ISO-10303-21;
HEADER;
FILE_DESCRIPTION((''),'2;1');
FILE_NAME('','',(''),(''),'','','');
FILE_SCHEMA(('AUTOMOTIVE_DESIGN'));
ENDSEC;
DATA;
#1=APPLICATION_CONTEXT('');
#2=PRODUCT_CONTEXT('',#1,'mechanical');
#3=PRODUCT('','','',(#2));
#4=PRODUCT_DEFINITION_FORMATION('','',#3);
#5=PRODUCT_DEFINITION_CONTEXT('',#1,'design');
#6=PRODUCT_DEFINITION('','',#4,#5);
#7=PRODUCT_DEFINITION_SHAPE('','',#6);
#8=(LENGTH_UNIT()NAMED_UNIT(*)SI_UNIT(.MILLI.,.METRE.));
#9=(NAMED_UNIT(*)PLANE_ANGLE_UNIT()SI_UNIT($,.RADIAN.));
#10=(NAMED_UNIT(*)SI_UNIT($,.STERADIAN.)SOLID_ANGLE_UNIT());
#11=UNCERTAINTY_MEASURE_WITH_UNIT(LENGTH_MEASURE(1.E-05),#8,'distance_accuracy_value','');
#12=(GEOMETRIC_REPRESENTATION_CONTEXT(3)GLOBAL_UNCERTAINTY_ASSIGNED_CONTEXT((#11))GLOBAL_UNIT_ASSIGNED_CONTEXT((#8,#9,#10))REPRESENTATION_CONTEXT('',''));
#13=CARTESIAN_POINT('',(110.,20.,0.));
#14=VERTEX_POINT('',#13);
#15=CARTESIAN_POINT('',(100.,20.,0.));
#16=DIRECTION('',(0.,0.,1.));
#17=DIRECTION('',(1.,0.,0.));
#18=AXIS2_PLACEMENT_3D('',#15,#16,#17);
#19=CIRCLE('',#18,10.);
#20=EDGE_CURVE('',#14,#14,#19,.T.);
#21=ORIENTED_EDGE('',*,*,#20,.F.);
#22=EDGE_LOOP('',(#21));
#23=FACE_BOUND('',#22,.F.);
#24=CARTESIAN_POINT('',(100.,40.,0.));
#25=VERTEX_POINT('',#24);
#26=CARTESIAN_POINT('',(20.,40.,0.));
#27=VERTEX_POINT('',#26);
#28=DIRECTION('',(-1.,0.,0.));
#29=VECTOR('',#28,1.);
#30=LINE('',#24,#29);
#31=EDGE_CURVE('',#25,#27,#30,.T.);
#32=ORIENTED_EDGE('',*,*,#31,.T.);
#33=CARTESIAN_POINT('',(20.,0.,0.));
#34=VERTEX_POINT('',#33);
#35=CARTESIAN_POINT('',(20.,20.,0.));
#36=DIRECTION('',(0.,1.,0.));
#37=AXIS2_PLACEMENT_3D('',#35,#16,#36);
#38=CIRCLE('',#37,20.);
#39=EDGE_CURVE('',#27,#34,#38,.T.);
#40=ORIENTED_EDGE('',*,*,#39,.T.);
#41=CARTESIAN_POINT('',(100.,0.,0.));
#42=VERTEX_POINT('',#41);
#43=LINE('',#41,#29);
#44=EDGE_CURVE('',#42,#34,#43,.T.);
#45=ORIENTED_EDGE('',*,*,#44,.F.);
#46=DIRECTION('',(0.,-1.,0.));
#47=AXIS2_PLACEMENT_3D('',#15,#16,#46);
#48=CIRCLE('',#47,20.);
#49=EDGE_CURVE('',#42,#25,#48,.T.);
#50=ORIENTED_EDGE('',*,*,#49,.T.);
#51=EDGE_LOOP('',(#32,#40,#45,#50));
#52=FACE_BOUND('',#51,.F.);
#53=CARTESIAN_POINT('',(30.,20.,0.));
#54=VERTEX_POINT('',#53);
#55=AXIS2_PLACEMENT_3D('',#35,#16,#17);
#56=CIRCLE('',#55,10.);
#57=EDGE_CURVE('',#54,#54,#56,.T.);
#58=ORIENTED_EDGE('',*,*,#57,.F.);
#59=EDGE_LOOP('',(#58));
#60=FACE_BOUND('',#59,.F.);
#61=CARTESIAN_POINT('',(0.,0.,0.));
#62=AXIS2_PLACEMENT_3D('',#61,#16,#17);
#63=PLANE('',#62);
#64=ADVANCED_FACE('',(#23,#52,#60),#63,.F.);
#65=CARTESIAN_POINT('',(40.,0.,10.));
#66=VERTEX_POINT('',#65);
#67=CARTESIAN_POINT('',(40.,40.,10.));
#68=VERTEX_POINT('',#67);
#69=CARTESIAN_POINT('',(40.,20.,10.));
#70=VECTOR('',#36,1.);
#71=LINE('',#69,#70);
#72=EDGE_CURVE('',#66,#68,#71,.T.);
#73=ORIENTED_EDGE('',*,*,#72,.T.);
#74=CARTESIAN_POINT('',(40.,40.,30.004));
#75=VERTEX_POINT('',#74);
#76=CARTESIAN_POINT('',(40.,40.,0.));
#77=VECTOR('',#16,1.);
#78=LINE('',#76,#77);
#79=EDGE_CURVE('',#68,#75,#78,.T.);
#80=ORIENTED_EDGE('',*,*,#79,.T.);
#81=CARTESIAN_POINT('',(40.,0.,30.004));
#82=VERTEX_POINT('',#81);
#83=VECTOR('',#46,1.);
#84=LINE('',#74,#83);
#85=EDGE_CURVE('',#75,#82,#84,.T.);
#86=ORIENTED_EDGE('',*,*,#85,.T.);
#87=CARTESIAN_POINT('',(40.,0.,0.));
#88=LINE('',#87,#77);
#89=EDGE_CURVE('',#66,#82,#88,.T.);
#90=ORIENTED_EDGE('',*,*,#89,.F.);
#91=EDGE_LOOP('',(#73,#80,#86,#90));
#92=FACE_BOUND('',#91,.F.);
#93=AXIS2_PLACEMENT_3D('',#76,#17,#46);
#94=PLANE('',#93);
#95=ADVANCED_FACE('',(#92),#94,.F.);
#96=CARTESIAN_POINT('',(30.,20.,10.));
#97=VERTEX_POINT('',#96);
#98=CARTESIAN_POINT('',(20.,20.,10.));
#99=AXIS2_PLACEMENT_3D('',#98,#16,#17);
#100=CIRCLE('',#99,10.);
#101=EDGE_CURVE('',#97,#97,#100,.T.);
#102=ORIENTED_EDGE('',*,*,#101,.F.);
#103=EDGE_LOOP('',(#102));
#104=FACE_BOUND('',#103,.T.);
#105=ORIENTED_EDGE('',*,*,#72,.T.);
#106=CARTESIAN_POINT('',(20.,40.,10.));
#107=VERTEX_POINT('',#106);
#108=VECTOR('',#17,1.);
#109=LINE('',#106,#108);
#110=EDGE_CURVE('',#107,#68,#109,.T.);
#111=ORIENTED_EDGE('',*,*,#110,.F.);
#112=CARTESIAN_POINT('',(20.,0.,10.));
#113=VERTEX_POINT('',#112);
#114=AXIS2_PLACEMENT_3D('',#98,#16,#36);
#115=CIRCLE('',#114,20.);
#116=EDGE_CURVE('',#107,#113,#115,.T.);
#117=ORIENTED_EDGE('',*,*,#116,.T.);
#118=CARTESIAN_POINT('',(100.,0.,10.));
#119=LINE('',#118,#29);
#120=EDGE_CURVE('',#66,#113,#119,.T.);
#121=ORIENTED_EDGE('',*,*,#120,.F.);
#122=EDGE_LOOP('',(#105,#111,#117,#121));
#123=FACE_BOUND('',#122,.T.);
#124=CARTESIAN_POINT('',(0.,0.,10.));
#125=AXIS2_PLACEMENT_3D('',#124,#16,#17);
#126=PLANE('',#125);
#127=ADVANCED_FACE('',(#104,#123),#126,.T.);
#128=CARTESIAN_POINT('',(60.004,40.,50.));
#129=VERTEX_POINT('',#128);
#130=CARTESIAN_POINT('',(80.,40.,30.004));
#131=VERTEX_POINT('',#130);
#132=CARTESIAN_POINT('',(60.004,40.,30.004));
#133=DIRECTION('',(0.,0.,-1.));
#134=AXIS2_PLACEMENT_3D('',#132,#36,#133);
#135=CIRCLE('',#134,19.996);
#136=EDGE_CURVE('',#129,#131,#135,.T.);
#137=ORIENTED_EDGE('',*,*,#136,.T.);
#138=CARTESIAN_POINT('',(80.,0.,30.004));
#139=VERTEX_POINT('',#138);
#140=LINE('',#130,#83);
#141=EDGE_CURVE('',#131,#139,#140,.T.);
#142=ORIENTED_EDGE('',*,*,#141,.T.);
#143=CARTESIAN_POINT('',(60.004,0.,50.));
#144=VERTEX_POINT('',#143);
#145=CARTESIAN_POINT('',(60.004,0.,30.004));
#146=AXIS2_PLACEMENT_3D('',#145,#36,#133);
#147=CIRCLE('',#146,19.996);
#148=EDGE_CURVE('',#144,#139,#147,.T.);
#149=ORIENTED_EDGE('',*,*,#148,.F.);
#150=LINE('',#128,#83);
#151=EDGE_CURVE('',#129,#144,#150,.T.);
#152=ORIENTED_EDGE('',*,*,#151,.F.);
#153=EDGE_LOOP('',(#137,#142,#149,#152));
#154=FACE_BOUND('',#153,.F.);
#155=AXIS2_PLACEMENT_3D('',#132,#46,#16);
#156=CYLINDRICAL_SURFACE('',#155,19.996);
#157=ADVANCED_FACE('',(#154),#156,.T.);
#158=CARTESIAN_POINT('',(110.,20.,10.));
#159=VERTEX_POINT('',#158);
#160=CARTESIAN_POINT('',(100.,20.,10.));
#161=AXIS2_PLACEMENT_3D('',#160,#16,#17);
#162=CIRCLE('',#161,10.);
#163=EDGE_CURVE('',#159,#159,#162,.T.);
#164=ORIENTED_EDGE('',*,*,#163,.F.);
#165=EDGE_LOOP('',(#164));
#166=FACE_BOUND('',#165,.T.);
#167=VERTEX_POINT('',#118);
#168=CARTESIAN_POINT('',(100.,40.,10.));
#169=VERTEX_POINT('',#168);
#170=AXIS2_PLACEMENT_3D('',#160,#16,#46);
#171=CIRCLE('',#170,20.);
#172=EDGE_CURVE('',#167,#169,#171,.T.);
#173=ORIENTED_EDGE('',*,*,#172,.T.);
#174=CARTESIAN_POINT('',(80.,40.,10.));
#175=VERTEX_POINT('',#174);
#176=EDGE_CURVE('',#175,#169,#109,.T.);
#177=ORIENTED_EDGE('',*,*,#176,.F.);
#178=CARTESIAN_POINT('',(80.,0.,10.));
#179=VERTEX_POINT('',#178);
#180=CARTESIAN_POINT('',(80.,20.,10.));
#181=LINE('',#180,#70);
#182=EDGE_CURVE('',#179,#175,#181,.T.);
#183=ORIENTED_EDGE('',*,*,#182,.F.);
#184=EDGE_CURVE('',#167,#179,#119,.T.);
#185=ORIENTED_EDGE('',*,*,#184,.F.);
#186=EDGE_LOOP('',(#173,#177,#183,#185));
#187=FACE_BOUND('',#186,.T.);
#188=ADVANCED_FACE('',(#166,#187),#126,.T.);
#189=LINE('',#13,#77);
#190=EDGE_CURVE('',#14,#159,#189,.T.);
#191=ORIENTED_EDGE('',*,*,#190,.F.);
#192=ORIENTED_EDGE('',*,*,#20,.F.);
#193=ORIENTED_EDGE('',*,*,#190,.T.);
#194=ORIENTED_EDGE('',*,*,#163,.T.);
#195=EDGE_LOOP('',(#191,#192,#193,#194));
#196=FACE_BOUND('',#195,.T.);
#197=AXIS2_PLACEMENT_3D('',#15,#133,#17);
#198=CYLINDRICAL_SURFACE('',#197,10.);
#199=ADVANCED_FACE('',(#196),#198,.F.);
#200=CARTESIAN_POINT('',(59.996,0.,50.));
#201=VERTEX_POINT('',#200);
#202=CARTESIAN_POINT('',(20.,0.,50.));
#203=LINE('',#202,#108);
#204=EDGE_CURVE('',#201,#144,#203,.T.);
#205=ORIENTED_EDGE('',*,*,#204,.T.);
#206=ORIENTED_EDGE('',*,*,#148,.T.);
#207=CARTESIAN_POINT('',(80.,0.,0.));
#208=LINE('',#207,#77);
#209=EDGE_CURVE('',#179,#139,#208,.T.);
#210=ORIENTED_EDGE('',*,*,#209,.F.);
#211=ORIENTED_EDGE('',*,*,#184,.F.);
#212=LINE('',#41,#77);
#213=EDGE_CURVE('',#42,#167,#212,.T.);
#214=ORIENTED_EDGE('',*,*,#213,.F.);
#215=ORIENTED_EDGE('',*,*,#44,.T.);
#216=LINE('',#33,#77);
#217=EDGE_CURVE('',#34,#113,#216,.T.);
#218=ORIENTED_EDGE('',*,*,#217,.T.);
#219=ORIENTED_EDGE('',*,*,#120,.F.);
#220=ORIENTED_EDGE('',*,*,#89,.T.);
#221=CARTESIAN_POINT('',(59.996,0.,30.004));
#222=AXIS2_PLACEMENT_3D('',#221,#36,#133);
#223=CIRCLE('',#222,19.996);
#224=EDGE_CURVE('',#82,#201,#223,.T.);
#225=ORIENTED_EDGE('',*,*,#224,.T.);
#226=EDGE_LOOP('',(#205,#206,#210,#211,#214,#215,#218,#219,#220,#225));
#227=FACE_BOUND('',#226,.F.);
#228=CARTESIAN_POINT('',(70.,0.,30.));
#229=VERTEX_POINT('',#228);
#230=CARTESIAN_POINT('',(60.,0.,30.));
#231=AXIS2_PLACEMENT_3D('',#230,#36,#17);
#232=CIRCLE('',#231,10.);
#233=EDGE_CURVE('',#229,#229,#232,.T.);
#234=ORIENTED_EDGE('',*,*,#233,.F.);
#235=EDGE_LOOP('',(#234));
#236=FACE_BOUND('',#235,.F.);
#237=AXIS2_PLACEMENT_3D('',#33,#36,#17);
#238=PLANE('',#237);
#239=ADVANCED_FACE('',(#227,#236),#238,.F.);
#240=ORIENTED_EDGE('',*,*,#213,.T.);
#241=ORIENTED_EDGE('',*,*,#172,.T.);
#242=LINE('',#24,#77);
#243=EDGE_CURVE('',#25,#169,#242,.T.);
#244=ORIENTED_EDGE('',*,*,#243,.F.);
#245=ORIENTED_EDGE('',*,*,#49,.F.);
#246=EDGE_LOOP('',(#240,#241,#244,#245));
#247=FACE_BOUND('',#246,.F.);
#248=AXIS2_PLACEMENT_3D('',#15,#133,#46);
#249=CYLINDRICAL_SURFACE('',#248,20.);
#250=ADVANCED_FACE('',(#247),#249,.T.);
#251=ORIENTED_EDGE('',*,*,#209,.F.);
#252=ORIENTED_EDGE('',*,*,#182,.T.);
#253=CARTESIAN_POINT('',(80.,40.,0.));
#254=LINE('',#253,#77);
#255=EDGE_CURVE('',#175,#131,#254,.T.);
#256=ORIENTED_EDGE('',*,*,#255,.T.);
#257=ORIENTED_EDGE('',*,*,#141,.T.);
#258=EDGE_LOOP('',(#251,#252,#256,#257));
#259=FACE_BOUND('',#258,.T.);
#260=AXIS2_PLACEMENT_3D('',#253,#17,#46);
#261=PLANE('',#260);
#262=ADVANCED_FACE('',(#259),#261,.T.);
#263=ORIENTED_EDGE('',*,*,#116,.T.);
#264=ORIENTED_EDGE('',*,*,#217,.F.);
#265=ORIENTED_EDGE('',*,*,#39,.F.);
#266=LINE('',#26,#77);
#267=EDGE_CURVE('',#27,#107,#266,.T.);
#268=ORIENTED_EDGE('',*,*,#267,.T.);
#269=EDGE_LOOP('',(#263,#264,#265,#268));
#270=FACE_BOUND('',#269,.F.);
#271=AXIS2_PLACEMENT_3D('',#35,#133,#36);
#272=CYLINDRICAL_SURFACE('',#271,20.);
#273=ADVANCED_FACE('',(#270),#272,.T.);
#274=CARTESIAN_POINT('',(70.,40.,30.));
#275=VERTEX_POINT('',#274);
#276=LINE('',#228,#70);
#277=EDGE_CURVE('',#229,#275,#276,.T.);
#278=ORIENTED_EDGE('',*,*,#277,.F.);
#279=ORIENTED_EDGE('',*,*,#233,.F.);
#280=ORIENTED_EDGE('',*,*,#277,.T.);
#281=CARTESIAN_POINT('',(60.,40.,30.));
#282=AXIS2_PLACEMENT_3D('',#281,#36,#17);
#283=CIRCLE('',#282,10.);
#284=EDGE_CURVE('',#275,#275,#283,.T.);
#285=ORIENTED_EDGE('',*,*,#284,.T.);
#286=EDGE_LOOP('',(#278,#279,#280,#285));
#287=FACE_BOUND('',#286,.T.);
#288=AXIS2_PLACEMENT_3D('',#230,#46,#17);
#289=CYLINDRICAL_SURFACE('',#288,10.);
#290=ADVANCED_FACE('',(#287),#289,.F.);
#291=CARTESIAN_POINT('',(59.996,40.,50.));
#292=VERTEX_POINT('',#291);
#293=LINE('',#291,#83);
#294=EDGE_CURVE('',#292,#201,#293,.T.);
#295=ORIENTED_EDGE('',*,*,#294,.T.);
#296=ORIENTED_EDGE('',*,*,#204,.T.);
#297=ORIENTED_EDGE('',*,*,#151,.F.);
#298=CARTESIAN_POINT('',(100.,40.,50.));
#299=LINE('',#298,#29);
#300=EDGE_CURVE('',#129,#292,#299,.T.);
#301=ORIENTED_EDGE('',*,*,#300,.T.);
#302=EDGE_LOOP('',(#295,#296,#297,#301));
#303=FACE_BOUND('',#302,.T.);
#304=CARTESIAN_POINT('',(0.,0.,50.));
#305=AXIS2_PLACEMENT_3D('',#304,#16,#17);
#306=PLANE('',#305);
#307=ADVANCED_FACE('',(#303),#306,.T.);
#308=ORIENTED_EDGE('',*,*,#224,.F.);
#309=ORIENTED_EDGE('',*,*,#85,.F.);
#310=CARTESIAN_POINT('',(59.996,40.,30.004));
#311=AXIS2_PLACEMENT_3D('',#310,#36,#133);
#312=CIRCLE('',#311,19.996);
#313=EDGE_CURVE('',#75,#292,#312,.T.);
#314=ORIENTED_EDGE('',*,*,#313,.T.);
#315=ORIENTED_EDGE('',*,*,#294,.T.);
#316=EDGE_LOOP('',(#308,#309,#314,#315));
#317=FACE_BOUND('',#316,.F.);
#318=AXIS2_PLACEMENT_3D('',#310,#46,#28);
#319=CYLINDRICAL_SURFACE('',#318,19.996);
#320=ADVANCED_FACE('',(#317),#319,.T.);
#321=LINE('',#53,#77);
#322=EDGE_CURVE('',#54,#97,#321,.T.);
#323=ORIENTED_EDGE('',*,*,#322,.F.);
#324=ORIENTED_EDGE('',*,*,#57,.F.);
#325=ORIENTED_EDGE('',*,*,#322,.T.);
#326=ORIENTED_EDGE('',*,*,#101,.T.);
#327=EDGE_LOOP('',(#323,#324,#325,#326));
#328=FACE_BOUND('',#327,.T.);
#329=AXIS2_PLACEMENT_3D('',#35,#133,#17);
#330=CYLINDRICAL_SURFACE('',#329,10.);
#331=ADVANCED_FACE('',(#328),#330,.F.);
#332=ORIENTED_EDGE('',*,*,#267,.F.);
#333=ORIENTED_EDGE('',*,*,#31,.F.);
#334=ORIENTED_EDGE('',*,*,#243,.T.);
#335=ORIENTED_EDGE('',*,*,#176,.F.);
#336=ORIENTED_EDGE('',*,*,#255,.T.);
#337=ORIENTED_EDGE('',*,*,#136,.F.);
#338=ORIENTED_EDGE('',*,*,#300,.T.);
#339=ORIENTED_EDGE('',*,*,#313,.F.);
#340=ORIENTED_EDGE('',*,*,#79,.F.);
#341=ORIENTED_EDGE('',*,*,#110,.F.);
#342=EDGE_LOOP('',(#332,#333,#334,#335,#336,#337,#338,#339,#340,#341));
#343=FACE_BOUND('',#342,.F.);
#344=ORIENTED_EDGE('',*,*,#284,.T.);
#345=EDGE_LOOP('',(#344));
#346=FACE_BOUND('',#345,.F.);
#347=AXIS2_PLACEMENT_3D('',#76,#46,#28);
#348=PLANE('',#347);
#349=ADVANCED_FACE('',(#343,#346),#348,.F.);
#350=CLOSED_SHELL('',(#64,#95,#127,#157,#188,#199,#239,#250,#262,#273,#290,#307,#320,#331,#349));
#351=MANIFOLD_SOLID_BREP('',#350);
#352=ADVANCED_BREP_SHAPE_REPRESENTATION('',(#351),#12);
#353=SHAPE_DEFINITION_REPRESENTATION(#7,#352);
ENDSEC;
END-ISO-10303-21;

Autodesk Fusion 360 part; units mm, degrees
sketch "Base" plane through (0, 0, 0) normal (0, 0, 1) x (1, 0, 0)
  line L0 (0, 0) -> (0, 20) construction
  line L1 (0, 20) -> (0, 40) construction
  line L2 (0, 20) -> (120, 20) construction
  line L3 (20, 20) -> (20, 0) construction
  line L4 (20, 20) -> (20, 40) construction
  line L5 (100, 20) -> (100, 40) construction
  line L6 (100, 20) -> (100, 0) construction
  line L7 (20, 0) -> (100, 0)
  arc A0 (100, 0) -> (100, 40) centre (100, 20) ccw
  line L8 (100, 40) -> (20, 40)
  arc A1 (20, 40) -> (20, 0) centre (20, 20) ccw
  line L9 (20, 20) -> (100, 20) construction
  circle A2 centre (20, 20) radius 10
  circle A3 centre (100, 20) radius 10
  line L10 (40, 40) -> (40, 0)
  line L11 (80, 40) -> (80, 0)
extrude "Extrude1" add sketch "Base" along normal blind 10
extrude "Extrude2" add sketch "Base" along normal blind 50 contours L7 L8 L10 L11
fillet "Fillet1" radius 20 2 edges at (80, 20, 50) (40, 20, 50)
sketch "Circle" plane through (0, 0, 0) normal (0, 1, 0) x (1, 0, 0)
  circle A0 centre (60, -30) radius 10
extrude "Extrude3" cut sketch "Circle" along normal blind 40
